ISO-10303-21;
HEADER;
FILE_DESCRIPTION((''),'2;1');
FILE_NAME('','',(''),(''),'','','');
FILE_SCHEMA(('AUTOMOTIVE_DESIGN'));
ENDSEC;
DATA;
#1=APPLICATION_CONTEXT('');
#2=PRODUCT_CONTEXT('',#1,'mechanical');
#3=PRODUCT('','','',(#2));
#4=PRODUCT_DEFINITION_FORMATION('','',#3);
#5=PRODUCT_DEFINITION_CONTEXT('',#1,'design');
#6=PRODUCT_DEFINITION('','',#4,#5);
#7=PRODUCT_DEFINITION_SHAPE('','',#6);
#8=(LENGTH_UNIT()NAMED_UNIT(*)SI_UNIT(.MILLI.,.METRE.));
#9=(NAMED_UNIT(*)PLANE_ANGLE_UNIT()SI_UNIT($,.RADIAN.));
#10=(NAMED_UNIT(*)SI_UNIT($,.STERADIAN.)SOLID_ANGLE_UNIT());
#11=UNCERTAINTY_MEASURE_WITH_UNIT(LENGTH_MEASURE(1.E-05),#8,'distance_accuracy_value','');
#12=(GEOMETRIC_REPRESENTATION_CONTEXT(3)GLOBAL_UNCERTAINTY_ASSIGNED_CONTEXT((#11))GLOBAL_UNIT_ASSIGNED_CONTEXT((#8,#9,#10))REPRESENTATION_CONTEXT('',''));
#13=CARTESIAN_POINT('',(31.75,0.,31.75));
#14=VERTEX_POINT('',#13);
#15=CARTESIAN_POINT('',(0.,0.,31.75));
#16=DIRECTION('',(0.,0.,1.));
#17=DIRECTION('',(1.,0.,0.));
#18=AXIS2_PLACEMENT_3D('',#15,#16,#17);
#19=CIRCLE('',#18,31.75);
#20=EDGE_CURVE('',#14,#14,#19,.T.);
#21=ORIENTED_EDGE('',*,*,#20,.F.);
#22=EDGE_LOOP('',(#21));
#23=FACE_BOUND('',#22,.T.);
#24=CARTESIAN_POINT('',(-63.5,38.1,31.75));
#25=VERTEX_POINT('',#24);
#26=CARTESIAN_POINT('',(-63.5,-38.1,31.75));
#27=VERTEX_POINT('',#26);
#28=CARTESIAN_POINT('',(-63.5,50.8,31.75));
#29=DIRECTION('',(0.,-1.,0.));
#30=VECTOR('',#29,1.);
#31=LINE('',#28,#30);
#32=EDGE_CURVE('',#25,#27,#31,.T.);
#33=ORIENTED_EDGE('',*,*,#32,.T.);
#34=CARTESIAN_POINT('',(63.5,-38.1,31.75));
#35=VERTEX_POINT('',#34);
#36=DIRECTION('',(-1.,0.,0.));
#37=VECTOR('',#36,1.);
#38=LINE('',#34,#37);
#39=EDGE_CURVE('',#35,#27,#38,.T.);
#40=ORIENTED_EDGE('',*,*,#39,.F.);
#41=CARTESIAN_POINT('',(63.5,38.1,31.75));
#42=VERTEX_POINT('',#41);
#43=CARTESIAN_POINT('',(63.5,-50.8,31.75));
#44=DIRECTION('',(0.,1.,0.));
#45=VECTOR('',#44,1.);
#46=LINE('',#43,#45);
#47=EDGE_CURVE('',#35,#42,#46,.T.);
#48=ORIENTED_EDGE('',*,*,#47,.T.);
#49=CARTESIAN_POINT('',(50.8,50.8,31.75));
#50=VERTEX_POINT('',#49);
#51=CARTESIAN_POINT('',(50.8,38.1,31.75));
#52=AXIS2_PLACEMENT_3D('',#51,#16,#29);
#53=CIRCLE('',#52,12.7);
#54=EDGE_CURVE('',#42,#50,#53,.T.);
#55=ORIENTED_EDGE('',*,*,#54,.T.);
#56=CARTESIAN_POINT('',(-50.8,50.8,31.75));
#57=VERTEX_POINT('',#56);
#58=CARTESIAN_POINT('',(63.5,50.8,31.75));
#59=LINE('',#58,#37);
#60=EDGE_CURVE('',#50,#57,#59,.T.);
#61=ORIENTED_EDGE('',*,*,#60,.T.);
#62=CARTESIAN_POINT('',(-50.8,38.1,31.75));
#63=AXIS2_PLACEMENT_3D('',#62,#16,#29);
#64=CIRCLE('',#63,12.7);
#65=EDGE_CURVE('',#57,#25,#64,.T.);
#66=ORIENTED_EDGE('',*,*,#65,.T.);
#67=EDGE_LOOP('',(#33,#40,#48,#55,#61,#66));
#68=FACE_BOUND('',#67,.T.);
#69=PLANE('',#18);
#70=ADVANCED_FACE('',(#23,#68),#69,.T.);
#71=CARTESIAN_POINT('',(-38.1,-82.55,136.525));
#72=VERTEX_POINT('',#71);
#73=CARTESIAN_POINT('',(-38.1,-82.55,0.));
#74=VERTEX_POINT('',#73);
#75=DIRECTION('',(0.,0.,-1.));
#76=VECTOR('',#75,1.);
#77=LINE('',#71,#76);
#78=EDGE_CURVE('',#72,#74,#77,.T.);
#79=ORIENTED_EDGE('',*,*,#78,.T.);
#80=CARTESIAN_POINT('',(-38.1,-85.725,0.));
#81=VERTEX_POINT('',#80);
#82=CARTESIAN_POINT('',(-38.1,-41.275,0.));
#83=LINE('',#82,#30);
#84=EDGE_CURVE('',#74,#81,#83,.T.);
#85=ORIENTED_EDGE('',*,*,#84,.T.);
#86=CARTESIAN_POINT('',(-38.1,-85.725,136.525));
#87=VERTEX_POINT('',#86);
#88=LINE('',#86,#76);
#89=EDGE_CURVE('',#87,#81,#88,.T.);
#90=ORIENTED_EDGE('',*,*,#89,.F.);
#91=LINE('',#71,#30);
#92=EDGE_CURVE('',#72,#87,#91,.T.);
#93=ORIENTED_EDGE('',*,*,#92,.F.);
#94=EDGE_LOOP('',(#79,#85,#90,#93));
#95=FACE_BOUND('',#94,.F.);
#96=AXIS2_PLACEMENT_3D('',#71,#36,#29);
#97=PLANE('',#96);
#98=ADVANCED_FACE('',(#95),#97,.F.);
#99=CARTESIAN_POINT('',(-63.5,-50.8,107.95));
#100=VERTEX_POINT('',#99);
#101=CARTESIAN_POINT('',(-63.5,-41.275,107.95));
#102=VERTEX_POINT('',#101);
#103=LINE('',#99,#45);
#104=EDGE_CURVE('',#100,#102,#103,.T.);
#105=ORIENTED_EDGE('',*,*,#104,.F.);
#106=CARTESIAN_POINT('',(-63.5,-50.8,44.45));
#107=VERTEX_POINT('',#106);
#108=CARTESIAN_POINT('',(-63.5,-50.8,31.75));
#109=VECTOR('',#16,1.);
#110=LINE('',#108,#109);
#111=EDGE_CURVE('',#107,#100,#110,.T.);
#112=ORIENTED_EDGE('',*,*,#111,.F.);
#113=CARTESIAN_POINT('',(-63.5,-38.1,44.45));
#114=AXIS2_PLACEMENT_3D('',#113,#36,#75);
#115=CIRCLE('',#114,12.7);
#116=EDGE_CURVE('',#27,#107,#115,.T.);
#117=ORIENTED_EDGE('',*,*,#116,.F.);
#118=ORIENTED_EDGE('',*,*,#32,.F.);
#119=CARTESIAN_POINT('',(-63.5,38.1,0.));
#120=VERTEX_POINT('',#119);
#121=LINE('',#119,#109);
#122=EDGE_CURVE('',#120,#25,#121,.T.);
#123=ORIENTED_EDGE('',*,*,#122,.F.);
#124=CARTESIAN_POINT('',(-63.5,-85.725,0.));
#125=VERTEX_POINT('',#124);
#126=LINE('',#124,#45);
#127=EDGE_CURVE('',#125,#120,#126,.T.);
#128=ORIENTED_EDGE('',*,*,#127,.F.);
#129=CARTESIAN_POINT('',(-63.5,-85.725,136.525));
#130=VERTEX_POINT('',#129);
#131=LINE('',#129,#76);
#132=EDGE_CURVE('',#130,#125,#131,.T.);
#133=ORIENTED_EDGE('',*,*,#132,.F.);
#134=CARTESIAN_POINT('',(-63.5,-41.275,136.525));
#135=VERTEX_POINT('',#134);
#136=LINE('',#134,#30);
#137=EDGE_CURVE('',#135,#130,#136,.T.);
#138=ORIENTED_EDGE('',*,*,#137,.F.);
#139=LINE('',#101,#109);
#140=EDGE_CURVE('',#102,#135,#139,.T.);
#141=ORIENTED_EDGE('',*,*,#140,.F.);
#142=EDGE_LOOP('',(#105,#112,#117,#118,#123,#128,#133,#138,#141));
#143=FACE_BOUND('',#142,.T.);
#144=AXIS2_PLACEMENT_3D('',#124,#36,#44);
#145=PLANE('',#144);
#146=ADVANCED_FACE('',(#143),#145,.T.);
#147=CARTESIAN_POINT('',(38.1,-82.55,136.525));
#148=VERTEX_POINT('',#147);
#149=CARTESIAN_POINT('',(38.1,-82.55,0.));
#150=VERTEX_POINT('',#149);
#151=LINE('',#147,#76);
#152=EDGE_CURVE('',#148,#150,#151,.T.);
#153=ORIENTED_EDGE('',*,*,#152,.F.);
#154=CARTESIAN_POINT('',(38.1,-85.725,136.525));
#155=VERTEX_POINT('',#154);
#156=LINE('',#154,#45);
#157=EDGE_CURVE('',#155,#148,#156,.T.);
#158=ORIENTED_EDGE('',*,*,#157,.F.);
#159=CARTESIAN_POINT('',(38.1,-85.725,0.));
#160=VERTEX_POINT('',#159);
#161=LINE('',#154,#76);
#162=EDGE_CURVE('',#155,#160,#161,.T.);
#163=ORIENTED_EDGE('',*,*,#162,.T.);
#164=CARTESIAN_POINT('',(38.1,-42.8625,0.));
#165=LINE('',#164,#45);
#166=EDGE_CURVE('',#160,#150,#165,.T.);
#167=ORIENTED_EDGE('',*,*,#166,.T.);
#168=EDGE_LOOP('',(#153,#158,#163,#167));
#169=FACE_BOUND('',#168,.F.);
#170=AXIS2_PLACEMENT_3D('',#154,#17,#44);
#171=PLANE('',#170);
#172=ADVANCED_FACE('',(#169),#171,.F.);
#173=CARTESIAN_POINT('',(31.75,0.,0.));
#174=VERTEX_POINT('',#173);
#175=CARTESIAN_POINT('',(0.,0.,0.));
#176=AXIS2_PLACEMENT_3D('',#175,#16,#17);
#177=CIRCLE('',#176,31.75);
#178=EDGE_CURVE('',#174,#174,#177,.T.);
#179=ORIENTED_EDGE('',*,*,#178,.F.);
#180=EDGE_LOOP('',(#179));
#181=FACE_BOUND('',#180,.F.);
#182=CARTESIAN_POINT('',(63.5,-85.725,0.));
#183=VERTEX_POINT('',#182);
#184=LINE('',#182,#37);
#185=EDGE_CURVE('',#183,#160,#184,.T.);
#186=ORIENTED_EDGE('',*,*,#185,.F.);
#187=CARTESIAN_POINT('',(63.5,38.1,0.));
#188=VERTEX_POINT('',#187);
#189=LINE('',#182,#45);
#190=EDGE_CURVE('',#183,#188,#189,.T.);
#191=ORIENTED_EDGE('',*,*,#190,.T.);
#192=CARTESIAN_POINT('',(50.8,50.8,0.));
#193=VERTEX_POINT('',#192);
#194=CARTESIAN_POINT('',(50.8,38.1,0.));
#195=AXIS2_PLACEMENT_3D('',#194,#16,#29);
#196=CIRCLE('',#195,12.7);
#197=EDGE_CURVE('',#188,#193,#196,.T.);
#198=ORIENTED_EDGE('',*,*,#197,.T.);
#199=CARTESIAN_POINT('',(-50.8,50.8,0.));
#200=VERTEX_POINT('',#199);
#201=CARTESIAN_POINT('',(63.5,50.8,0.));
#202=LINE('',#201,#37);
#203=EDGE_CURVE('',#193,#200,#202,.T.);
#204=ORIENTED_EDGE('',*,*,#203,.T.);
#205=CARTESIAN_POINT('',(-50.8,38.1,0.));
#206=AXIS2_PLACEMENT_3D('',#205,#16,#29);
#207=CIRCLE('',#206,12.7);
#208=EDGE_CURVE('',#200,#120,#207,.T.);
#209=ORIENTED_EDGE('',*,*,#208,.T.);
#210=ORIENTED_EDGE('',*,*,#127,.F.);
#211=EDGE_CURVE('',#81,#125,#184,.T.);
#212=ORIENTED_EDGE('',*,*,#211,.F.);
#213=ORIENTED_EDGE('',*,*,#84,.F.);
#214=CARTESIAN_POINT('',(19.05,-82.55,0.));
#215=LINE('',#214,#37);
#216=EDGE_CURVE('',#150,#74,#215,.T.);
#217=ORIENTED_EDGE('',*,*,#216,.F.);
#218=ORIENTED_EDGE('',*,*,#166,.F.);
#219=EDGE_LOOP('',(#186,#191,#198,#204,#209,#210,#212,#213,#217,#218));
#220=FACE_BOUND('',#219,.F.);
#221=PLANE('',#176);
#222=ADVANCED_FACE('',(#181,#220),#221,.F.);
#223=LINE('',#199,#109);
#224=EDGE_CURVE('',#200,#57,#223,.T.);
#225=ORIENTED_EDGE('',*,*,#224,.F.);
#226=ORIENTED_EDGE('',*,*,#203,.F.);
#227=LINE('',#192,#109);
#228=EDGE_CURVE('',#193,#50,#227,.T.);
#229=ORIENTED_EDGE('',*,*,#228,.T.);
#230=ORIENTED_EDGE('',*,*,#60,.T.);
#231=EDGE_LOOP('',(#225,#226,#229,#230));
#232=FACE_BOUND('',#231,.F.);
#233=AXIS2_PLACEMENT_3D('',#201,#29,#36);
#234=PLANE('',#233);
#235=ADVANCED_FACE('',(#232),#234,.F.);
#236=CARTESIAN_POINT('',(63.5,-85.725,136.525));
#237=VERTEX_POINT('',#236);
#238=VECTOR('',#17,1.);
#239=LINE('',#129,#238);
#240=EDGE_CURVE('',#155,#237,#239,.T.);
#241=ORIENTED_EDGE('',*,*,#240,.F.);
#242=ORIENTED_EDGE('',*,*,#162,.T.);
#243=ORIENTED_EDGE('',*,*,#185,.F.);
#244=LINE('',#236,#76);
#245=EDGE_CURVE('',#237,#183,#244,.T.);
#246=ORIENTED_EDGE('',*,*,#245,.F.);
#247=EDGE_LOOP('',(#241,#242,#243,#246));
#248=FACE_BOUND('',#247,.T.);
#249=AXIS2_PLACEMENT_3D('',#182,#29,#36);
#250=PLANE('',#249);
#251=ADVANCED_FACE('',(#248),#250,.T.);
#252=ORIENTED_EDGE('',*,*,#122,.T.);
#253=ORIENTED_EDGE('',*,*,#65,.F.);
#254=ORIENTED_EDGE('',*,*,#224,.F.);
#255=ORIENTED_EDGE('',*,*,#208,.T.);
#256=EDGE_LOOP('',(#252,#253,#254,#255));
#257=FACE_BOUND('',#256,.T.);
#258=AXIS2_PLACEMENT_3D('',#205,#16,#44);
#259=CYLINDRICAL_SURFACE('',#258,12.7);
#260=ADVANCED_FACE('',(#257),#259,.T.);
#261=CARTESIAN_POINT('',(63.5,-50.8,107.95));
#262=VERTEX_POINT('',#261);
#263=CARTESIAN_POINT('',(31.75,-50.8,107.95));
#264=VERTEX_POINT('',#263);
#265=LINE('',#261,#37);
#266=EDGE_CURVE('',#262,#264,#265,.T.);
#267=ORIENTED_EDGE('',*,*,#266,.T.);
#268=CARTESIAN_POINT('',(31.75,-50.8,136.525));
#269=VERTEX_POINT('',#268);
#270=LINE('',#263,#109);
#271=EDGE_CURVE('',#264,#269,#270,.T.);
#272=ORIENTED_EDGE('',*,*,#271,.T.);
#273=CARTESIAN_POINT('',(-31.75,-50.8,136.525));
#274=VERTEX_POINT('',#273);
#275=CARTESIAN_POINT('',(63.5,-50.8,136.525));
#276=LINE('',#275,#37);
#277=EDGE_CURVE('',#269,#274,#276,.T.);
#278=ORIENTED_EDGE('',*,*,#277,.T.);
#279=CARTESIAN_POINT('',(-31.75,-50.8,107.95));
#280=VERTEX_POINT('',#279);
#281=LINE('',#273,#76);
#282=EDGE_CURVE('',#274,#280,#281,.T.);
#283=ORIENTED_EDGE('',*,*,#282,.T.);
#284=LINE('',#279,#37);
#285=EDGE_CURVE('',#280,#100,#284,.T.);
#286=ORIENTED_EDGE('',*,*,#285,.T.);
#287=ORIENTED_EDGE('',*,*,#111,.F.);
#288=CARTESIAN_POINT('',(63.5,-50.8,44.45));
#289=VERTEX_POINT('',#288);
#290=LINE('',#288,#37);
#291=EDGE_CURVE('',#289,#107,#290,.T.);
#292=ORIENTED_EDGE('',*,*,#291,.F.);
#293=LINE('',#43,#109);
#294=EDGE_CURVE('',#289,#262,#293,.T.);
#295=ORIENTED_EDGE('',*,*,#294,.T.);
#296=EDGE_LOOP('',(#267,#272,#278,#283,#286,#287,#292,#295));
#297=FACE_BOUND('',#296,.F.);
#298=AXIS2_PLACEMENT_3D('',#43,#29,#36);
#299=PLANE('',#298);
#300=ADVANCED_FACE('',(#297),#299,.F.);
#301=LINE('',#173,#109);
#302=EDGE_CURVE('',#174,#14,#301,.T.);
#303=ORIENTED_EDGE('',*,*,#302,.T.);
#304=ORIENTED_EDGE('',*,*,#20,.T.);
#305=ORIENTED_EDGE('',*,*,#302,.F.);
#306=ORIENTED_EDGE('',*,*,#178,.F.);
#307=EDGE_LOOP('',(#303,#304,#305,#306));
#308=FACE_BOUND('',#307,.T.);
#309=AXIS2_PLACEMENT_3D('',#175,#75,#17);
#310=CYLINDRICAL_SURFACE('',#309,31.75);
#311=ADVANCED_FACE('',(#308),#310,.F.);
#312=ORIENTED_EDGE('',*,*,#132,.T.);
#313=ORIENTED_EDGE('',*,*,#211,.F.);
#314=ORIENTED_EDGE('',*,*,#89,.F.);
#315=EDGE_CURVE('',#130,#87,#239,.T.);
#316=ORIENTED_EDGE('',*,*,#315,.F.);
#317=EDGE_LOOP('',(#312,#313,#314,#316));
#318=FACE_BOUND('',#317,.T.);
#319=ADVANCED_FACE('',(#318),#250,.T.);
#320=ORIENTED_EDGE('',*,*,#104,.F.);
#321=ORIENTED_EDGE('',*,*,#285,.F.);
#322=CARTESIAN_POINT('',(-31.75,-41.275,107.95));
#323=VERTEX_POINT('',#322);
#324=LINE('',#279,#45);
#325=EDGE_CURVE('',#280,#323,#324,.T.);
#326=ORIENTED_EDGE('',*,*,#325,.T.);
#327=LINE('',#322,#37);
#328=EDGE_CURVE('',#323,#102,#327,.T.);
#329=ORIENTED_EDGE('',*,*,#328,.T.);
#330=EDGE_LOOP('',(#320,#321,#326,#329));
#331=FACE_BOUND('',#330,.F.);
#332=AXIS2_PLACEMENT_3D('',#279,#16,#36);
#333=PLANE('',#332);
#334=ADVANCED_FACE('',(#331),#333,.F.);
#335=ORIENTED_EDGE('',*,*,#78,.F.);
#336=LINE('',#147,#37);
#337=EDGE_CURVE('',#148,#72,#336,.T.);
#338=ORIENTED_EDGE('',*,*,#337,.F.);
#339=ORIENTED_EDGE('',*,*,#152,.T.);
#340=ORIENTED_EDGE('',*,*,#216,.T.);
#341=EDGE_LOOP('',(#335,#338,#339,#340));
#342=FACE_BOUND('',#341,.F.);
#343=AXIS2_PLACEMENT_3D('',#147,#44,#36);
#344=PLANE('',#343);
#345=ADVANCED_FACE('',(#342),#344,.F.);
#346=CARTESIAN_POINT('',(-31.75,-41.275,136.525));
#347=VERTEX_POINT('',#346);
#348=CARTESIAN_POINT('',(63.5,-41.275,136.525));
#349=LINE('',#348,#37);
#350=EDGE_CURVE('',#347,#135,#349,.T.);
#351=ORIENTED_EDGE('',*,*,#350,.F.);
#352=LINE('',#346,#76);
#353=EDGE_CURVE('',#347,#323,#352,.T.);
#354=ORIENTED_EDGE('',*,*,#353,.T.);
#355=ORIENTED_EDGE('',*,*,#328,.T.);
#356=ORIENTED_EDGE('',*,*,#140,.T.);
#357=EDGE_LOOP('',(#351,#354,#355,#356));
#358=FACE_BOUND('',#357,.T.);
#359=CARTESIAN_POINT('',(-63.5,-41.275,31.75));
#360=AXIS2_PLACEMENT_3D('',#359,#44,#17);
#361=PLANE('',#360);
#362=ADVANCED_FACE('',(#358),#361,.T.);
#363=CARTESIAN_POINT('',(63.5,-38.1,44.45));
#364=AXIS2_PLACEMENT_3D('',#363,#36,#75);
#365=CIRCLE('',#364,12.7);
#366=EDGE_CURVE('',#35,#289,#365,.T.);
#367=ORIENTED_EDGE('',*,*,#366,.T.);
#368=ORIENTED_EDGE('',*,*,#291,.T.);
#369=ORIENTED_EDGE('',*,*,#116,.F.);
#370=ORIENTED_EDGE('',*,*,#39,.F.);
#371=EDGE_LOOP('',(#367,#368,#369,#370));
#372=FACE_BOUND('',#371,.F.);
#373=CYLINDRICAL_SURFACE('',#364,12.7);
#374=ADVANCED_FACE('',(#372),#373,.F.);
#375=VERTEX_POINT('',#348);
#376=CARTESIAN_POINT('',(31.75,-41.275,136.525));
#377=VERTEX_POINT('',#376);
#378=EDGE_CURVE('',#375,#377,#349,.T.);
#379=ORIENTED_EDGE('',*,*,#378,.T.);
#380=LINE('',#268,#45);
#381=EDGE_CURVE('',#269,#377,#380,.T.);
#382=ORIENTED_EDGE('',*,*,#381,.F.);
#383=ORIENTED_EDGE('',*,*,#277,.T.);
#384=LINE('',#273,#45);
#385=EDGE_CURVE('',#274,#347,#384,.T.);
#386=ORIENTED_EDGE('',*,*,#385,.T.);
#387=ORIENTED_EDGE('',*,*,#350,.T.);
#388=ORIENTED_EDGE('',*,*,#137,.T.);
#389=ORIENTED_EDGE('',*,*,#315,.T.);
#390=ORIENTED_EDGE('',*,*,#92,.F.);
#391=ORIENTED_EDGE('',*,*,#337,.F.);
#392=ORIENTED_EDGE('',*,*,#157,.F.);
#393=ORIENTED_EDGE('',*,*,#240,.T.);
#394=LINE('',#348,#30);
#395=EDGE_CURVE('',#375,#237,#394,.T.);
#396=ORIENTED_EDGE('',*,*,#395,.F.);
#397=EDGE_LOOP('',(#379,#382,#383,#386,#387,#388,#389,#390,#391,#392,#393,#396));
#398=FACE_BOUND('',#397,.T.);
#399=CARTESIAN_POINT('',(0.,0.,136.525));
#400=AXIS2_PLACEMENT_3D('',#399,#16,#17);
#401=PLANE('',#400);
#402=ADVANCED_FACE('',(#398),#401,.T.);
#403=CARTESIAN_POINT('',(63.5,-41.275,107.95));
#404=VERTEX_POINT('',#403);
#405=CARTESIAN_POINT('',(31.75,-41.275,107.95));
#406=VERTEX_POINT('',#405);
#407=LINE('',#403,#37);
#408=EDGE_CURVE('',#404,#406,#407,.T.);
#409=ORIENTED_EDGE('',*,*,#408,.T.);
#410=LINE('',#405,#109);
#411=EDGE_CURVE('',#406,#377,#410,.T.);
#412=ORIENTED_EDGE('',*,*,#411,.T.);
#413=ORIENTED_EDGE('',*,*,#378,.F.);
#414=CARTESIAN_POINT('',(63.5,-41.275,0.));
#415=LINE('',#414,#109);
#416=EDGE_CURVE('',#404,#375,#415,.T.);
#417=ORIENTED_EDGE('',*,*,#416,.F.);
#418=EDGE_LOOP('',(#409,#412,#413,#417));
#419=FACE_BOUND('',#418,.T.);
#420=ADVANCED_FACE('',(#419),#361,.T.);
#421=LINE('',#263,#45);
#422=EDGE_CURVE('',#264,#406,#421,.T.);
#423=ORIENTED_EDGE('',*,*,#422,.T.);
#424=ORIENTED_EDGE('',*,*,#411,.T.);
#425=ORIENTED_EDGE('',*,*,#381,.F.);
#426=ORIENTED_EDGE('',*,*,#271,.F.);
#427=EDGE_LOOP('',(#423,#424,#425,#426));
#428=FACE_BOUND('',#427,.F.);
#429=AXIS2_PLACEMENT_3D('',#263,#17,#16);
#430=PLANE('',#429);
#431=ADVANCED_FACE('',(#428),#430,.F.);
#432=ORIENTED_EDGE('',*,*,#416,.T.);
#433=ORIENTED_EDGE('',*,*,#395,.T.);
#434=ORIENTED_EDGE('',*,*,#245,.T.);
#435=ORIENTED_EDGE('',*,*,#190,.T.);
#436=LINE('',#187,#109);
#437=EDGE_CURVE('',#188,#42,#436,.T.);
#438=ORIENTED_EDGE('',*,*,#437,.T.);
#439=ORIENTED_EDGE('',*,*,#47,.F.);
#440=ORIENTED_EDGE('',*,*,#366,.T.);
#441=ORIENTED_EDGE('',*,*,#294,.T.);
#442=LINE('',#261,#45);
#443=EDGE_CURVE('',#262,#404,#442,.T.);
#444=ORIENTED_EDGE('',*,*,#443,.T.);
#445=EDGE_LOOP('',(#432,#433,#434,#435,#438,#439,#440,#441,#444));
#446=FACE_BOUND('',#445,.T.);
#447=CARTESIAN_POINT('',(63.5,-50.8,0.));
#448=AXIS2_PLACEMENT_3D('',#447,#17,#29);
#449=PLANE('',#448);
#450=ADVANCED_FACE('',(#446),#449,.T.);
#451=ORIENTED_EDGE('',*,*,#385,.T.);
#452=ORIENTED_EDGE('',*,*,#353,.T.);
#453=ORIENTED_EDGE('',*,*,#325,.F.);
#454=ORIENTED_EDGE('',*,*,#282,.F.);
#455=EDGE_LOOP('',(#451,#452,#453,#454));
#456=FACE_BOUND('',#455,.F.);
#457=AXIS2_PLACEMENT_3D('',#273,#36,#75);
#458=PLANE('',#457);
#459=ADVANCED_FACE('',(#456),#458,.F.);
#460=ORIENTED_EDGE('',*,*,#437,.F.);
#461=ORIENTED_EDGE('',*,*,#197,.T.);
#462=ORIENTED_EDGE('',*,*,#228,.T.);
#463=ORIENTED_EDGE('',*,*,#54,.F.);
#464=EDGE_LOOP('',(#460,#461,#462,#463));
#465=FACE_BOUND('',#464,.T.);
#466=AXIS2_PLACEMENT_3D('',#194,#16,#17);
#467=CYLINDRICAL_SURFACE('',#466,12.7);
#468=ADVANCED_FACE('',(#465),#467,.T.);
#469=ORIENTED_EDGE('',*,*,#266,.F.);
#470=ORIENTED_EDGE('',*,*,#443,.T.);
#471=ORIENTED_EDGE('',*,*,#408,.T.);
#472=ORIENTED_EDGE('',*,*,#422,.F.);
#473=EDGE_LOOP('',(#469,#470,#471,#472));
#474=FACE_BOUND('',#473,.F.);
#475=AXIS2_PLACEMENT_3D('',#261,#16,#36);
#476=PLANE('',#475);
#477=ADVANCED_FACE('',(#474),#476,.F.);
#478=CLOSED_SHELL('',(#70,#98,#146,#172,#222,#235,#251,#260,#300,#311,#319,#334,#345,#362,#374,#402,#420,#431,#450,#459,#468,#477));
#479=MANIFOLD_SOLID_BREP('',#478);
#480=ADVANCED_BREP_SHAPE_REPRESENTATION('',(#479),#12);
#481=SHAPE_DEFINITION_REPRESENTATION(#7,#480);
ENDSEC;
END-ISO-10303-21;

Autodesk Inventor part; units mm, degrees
ref_plane "YZ Plane" through (0, 0, 0) normal (1, 0, 0) x (0, 1, 0)
ref_plane "XZ Plane" through (0, 0, 0) normal (0, 1, 0) x (-1, 0, 0)
ref_plane "XY Plane" through (0, 0, 0) normal (0, 0, 1) x (1, 0, 0)
sketch "Sketch4" plane through (0, 0, 0) normal (0, 0, 1) x (1, 0, 0)
  circle A0 centre (0, 0) radius 31.75
  line L0 (-63.5, -50.8) -> (63.5, -50.8) construction
  line L1 (63.5, -50.8) -> (63.5, 50.8)
  line L2 (63.5, 50.8) -> (-63.5, 50.8)
  line L3 (-63.5, 50.8) -> (-63.5, -50.8)
  line L4 (-63.5, -50.8) -> (63.5, 50.8) construction
  line L5 (63.5, -50.8) -> (-63.5, 50.8) construction
  line L6 (-63.5, -50.8) -> (63.5, -50.8) construction
  line L7 (63.5, -50.8) -> (63.5, -85.725)
  line L8 (63.5, -85.725) -> (-63.5, -85.725)
  line L9 (-63.5, -85.725) -> (-63.5, -50.8)
  dimension "d2" = 127
  dimension "d3" = 101.6
  dimension "d4" = 63.5
  dimension "d5" = 136.525
extrude "Extrusion1" add sketch "Sketch4" along normal blind 31.75
sketch "Sketch5" plane through (0, 0, 31.75) normal (0, 0, 1) x (1, 0, 0)
  line L0 (-63.5, 50.8) -> (-63.5, -85.725) projected
  line L1 (-63.5, -85.725) -> (63.5, -85.725)
  line L2 (63.5, -85.725) -> (63.5, -41.275)
  line L3 (63.5, -41.275) -> (-63.5, -41.275)
  line L4 (-63.5, -41.275) -> (-63.5, -85.725)
  line L5 (63.5, -85.725) -> (63.5, 50.8) projected
  line L6 (-63.5, -41.275) -> (63.5, -41.275)
  line L7 (63.5, -41.275) -> (63.5, -50.8)
  line L8 (63.5, -50.8) -> (-63.5, -50.8)
  line L9 (-63.5, -50.8) -> (-63.5, -41.275)
  point P0 (0, 0)
  point P1 (-63.5, -50.8)
  dimension "d8" = 44.45
  dimension "d9" = 9.525
extrude "Extrusion2" add sketch "Sketch5" along normal blind 104.775 contours L8 L2 L1 L0
sketch "Sketch6" plane through (0, 0, 136.525) normal (0, 0, 1) x (1, 0, 0)
  line L0 (-63.5, -85.725) -> (63.5, -85.725) projected
  line L1 (-38.1, -85.725) -> (38.1, -85.725)
  line L2 (38.1, -85.725) -> (38.1, -82.55)
  line L3 (38.1, -82.55) -> (-38.1, -82.55)
  line L4 (-38.1, -82.55) -> (-38.1, -85.725)
  line L5 (-63.5, -50.8) -> (-63.5, -85.725) projected
  point P0 (0, 0)
  dimension "d12" = 3.175
  dimension "d13" = 25.4
  dimension "d14" = 76.2
extrude "Extrusion3" cut sketch "Sketch6" against normal through all
sketch "Sketch7" plane through (-63.5, -50.8, 31.75) normal (0, 1, 0) x (1, 0, 0)
  line L0 (127, -104.775) -> (0, -104.775) projected
  line L1 (0, -104.775) -> (31.75, -104.775)
  line L2 (31.75, -104.775) -> (31.75, -76.2)
  line L3 (31.75, -76.2) -> (0, -76.2)
  line L4 (0, -76.2) -> (0, -104.775)
  line L5 (127, 31.75) -> (127, -104.775) projected
  line L6 (95.25, -104.775) -> (127, -104.775)
  line L7 (127, -104.775) -> (127, -76.2)
  line L8 (127, -76.2) -> (95.25, -76.2)
  line L9 (95.25, -76.2) -> (95.25, -104.775)
  line L10 (0, 0) -> (127, 0) projected
  point P0 (63.5, 31.75)
  dimension "d17" = 63.5
  dimension "d18" = 76.2
extrude "Extrusion4" add sketch "Sketch7" along normal blind 9.525
fillet "Fillet1" radius 12.7 3 edges at (63.5, 50.8, 15.875) (-63.5, 50.8, 15.875) (0, -50.8, 31.75)
properties part number "TubeMount"
